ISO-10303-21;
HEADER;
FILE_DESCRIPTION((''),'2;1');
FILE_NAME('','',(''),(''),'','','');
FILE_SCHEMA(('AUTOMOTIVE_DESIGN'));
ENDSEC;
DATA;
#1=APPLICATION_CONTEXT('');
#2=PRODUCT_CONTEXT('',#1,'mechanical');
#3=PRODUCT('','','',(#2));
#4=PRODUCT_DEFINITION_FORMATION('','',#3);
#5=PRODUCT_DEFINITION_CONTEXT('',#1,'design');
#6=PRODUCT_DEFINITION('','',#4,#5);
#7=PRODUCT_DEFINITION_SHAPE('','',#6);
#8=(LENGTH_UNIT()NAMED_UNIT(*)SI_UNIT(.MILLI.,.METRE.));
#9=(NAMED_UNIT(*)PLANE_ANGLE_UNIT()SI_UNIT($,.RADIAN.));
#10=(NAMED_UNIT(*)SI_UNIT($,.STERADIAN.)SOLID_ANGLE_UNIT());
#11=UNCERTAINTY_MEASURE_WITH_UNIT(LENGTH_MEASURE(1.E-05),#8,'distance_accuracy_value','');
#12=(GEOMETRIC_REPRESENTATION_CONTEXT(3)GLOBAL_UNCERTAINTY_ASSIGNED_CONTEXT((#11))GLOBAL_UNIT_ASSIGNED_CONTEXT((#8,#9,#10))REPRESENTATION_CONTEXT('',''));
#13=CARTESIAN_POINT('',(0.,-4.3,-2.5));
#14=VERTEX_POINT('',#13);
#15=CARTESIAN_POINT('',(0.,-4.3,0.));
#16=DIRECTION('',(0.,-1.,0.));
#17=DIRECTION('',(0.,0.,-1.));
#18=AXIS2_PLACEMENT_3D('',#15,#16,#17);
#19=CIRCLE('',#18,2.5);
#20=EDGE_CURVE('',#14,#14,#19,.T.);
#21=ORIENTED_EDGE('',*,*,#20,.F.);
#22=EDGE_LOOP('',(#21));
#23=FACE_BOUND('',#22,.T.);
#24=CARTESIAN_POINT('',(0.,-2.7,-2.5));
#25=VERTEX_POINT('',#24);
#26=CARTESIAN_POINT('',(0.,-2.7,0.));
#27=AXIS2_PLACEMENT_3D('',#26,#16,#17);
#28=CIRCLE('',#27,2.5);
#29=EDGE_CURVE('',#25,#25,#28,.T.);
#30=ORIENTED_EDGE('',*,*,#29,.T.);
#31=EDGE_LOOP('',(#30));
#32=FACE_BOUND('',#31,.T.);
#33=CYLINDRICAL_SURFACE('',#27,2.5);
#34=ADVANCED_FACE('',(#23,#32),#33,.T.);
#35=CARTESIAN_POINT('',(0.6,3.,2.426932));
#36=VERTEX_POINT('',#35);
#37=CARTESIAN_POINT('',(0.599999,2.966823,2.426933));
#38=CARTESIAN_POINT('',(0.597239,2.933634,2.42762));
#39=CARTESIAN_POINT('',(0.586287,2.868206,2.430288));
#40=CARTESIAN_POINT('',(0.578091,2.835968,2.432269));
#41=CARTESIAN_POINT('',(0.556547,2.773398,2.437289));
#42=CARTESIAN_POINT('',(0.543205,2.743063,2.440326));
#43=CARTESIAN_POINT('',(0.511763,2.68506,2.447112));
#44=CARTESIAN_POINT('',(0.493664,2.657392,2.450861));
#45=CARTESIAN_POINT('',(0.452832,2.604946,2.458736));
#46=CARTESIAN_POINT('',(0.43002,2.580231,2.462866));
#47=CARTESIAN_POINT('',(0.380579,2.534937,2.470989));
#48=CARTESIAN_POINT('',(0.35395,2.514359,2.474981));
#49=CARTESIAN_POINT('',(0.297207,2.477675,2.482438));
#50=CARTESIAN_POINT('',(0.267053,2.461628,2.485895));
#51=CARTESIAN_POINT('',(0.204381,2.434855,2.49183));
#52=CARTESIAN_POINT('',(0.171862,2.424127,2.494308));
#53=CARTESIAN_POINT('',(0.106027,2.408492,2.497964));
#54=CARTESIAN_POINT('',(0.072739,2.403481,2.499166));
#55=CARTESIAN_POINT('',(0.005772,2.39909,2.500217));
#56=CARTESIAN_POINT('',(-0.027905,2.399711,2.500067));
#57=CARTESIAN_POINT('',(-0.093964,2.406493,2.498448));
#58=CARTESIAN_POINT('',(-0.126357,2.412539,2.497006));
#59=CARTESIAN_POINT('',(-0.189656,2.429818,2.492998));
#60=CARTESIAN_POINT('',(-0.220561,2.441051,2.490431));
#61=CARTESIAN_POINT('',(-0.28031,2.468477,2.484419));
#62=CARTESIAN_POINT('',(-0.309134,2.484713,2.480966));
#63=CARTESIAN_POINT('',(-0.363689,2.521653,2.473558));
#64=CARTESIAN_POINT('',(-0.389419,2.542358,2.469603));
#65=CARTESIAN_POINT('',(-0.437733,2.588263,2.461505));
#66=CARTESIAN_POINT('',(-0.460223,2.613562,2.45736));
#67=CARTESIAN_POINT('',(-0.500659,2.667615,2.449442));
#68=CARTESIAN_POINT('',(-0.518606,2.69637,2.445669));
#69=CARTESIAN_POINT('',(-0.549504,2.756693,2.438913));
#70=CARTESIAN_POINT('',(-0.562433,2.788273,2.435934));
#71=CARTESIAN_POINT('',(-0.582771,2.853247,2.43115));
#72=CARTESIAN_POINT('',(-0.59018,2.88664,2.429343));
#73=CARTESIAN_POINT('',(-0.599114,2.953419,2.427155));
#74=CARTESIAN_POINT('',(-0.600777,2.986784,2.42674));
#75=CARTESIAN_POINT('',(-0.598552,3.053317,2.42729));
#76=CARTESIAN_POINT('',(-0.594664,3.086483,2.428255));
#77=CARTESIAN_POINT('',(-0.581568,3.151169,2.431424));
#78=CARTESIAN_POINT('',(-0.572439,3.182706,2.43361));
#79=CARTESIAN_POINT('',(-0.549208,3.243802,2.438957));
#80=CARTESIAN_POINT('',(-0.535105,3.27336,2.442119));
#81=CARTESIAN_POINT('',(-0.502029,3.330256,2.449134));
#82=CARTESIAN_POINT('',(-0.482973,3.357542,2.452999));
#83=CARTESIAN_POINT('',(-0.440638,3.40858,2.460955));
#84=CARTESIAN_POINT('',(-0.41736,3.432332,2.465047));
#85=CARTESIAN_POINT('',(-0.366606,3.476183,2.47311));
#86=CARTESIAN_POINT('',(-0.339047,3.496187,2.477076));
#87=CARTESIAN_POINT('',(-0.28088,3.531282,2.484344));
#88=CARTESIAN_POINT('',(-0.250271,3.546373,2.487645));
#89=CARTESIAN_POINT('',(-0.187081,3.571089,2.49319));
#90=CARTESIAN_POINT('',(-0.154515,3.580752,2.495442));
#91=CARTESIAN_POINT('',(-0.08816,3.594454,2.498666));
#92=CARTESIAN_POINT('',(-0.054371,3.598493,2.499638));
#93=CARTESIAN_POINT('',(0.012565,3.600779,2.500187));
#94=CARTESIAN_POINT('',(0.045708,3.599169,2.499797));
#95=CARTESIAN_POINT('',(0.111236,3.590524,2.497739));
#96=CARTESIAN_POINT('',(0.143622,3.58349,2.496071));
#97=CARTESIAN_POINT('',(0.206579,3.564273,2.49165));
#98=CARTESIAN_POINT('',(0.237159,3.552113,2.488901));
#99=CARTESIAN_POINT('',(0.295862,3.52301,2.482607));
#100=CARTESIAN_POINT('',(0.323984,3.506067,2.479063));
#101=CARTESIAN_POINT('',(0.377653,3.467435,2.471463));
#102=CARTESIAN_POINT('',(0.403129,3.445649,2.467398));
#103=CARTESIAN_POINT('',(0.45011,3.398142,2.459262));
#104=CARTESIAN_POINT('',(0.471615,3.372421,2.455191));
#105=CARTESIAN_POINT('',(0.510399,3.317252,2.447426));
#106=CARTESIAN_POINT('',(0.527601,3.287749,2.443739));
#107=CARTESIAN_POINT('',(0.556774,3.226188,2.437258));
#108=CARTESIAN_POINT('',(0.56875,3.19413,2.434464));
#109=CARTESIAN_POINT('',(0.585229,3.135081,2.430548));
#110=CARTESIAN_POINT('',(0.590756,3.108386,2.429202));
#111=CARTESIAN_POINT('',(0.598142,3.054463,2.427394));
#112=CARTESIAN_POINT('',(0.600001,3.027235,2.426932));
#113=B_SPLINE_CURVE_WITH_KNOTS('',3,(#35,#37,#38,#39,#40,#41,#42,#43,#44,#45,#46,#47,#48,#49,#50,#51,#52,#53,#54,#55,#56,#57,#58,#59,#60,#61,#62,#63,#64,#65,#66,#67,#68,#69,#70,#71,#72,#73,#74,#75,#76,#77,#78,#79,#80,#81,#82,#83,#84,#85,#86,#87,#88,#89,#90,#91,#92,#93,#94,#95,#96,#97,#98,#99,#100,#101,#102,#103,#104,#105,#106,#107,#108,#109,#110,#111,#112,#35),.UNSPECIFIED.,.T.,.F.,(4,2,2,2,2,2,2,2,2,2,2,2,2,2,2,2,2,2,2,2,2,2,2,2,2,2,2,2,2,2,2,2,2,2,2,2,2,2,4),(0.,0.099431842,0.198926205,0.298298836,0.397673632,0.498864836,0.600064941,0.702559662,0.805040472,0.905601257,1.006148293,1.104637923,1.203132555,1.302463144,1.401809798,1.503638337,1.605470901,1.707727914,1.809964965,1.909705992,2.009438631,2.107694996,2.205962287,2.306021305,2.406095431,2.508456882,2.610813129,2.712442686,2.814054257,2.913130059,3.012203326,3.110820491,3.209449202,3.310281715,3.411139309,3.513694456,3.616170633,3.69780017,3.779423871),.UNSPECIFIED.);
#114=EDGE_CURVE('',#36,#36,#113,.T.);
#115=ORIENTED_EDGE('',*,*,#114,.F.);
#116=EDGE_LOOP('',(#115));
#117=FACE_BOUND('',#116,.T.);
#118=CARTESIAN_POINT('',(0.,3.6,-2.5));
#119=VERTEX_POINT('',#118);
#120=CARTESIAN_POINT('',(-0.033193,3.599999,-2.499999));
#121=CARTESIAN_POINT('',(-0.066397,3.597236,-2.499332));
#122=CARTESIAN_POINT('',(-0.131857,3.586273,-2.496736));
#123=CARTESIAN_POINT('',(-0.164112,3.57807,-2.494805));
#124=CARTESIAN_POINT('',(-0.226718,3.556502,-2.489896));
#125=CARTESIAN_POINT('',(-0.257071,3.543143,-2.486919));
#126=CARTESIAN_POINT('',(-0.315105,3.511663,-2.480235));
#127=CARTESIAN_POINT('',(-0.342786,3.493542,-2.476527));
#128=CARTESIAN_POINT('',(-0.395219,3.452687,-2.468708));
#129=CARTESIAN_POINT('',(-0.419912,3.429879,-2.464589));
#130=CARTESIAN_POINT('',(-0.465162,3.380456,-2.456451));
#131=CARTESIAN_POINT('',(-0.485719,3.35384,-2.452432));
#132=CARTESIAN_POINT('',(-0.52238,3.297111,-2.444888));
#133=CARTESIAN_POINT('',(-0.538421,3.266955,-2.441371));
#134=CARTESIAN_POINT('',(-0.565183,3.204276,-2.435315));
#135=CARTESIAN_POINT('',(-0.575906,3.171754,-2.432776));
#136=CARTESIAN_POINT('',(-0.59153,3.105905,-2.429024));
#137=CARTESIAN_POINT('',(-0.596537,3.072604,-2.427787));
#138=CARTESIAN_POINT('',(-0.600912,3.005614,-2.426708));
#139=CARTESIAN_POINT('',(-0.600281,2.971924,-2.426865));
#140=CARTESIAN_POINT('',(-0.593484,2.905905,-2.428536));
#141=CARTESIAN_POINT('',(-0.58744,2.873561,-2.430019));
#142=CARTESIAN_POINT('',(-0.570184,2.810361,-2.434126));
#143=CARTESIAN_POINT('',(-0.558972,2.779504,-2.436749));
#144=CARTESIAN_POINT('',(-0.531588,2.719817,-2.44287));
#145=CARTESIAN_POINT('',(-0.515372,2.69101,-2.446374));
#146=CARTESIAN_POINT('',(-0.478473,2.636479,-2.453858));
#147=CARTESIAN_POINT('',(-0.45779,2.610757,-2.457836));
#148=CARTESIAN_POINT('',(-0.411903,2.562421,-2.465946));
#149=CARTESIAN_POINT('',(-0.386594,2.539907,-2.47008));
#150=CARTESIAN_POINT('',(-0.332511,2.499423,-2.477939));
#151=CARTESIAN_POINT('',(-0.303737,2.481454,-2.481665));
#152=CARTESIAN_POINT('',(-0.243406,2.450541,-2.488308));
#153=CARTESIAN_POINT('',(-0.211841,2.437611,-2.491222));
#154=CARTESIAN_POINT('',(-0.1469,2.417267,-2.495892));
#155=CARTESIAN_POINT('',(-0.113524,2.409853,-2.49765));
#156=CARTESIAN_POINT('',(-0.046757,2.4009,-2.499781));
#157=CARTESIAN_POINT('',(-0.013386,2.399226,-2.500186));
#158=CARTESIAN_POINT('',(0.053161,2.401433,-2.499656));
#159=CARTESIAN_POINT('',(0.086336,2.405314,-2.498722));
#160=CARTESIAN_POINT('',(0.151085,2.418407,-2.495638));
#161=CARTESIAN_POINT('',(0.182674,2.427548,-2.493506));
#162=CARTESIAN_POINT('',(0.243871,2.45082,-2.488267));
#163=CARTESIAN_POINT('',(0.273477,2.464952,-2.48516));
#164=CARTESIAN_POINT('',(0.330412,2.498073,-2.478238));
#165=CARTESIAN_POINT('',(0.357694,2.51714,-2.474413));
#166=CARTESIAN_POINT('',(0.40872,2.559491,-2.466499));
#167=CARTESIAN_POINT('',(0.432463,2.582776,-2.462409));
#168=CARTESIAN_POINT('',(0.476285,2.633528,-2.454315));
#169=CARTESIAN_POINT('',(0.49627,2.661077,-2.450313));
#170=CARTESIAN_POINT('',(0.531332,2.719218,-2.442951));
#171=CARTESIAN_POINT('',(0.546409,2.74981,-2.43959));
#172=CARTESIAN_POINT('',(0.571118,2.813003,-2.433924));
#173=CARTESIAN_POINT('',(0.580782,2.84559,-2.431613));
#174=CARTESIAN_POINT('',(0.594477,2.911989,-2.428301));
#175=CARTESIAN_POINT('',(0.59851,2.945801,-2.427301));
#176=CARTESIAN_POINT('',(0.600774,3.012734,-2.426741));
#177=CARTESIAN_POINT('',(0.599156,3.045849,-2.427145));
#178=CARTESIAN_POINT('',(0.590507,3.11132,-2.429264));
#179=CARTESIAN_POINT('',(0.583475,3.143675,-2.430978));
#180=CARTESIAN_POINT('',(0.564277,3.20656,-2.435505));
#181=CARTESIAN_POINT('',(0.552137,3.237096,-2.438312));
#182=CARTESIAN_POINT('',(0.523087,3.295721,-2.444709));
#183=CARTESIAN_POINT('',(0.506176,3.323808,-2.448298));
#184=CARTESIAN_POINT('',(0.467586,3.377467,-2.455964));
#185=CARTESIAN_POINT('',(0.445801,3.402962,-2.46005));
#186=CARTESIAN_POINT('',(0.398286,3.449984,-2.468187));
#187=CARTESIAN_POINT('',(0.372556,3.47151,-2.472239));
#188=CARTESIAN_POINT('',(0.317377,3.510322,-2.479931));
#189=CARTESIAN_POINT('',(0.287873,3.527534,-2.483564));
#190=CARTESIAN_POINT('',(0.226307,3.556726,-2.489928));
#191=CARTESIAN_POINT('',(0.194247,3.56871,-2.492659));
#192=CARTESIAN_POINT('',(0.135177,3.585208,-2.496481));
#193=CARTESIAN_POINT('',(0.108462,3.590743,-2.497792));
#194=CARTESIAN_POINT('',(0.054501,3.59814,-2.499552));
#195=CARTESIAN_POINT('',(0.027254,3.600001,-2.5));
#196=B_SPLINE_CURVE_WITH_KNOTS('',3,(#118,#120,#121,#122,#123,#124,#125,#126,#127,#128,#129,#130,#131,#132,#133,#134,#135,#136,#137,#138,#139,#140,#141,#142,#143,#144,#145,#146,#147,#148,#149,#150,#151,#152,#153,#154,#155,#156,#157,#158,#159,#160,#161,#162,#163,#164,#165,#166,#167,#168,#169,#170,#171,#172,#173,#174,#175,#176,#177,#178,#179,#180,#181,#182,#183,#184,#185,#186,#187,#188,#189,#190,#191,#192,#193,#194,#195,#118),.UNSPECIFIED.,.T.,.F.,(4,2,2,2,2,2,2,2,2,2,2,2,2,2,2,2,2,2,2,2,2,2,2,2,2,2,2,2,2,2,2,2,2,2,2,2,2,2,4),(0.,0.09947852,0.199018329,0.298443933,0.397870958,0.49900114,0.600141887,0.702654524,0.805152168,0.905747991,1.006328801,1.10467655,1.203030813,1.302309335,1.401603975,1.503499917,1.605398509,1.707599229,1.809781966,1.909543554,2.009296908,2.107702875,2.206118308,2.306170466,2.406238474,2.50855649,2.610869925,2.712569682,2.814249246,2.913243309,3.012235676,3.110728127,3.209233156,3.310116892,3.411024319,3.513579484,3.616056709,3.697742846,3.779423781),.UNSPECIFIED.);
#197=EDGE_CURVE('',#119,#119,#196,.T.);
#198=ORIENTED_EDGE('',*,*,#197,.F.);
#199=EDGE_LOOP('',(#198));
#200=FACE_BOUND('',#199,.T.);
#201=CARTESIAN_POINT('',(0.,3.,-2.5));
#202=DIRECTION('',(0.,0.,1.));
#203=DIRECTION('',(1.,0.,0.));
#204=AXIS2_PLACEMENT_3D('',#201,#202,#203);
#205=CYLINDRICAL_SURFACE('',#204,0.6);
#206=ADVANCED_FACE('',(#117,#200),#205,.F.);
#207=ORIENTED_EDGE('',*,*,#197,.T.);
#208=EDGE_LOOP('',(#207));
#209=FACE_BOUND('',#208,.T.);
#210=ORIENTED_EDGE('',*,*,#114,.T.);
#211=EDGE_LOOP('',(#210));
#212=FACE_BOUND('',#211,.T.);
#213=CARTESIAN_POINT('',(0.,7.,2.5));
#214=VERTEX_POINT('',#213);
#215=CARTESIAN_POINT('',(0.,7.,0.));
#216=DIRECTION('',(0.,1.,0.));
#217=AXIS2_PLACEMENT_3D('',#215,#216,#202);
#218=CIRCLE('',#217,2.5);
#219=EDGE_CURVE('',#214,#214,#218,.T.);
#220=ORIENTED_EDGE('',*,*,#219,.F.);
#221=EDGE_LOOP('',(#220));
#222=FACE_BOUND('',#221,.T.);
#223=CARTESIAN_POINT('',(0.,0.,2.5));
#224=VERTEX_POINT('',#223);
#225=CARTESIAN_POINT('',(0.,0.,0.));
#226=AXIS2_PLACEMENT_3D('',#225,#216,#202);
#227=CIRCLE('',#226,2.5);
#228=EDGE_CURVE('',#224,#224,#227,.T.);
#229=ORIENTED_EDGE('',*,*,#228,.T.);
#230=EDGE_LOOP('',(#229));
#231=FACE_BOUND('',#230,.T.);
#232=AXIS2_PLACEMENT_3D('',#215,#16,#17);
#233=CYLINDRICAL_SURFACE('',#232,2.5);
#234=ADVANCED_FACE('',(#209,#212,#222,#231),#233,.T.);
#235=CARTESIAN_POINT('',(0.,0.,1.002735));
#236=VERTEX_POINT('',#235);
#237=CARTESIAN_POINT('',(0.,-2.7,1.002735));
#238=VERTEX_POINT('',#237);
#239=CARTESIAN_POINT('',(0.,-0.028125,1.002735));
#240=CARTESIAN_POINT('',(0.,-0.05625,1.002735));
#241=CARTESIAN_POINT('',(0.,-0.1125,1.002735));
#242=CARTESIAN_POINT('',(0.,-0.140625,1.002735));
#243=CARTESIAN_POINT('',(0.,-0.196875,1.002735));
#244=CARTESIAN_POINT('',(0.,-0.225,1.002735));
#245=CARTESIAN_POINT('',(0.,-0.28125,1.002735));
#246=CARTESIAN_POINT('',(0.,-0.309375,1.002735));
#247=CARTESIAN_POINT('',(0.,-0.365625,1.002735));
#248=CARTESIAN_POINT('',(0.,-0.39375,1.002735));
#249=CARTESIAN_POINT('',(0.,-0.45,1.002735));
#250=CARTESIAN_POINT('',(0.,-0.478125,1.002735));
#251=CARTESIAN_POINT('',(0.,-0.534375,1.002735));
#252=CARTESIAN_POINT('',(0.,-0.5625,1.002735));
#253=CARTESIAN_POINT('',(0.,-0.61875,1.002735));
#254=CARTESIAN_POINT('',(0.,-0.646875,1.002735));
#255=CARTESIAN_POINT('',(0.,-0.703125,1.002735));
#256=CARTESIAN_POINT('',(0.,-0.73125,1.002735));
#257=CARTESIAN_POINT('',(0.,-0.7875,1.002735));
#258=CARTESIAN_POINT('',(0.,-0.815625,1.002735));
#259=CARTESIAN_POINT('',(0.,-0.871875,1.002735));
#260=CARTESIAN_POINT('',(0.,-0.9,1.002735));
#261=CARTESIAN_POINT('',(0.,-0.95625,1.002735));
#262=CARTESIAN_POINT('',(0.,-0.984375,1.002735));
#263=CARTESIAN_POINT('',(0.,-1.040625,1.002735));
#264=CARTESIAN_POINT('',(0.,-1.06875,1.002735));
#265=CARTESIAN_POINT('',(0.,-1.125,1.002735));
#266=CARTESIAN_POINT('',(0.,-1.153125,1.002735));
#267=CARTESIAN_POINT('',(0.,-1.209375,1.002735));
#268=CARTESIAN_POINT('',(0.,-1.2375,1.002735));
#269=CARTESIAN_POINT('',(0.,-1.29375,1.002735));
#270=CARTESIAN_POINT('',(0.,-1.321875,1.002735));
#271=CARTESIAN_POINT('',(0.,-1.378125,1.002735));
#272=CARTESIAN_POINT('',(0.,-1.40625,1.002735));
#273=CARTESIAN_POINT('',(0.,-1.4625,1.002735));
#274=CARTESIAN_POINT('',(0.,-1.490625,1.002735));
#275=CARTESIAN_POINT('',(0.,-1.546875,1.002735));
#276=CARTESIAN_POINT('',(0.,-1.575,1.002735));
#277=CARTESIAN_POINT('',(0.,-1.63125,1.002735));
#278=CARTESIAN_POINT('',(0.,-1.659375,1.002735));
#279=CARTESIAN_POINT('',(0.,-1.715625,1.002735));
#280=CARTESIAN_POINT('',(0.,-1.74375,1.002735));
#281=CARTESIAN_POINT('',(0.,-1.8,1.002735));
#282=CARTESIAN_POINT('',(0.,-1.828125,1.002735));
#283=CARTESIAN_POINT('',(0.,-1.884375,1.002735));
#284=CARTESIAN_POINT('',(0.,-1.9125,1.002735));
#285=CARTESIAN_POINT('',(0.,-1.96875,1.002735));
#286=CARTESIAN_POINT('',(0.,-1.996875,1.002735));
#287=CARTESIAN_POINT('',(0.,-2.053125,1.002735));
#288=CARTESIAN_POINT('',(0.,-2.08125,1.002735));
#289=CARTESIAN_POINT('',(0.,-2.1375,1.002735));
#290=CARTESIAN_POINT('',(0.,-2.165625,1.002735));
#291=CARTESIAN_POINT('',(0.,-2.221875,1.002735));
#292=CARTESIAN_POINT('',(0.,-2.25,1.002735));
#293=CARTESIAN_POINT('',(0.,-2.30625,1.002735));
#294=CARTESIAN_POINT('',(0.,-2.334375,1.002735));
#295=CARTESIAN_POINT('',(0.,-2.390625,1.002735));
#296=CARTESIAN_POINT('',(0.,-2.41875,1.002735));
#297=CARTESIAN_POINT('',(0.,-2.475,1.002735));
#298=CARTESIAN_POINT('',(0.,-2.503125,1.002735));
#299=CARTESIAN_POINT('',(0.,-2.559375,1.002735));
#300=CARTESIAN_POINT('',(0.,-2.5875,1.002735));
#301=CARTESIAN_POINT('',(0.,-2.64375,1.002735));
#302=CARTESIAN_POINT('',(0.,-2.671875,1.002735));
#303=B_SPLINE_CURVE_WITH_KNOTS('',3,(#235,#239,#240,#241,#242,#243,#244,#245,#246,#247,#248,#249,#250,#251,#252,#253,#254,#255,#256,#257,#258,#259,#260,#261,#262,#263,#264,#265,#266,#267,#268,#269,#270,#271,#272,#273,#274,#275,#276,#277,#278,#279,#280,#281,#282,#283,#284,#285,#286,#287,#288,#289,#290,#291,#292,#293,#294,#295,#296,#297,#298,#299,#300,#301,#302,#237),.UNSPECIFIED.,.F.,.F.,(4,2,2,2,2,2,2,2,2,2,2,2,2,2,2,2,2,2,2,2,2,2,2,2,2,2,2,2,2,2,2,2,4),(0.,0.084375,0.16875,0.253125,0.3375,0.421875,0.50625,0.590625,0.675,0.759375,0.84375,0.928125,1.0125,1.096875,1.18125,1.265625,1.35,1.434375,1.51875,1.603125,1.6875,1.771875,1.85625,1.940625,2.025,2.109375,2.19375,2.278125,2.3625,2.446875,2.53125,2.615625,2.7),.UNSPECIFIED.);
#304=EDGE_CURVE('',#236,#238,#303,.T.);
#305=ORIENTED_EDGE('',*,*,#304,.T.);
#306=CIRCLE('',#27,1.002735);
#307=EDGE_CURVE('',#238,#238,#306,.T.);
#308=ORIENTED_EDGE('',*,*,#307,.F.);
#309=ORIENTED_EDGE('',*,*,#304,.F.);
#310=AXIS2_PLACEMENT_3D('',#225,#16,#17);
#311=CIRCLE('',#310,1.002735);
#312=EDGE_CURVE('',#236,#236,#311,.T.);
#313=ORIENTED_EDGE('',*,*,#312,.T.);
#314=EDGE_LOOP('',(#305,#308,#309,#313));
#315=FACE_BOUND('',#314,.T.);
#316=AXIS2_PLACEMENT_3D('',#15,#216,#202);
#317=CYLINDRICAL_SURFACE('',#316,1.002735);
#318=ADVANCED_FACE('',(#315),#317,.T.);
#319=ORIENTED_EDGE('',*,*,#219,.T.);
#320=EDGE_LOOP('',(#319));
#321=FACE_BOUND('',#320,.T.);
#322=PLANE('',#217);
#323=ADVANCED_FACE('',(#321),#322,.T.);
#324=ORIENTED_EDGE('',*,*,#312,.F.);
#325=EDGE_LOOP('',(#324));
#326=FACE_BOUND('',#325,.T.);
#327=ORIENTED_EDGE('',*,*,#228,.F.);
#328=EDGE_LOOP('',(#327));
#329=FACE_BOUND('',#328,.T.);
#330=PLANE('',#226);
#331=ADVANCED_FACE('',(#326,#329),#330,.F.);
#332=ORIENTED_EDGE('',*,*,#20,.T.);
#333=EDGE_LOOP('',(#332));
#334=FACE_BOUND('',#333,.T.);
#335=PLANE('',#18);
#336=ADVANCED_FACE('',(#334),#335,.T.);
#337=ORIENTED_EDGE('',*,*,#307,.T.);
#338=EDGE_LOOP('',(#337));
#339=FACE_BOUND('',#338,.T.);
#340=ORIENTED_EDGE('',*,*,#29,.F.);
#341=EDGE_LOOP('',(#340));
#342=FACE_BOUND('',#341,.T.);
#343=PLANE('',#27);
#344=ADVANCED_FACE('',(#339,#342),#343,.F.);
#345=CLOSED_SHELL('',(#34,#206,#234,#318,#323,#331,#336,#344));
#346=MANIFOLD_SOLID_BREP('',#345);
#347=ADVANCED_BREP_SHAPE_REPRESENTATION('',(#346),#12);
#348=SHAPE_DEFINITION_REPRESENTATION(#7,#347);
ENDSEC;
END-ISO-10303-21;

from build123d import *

# Parameters (mm, degrees)
SKETCH1_R               = 2.5
BOSS_EXTRUDE1_DEPTH     = 7
CUT_EXTRUDE1_DEPTH      = 8.842193571
CUT_EXTRUDE1_DEPTH_BACK = 8.842193571
SKETCH2_R               = 0.6
SKETCH3_R               = 1.002734692
BOSS_EXTRUDE2_DEPTH     = 4.3
SKETCH4_R               = 2.5
BOSS_EXTRUDE3_DEPTH     = 1.6


with BuildPart() as part:
    # Sketch1 → Boss-Extrude1 (new body)
    with BuildSketch(Plane(origin=(0, 0, 0), x_dir=(1, 0, 0), z_dir=(0, 1, 0))):
        with Locations(Location((0, 0, 0), (0, 0, 270))):
            Circle(SKETCH1_R)
    extrude(amount=BOSS_EXTRUDE1_DEPTH)

    # Sketch2 → Cut-Extrude1 (cut, two sides: drawn at the far end of the back side and taken through both)
    with BuildSketch(Plane.XY.offset(-CUT_EXTRUDE1_DEPTH_BACK)):
        with Locations(Location((0, 3, 0), (0, 0, 90.000000021))):
            Circle(SKETCH2_R)
    extrude(amount=CUT_EXTRUDE1_DEPTH + CUT_EXTRUDE1_DEPTH_BACK, mode=Mode.SUBTRACT)

    # Sketch3 → Boss-Extrude2 (add)
    with BuildSketch(Plane.XZ):
        with Locations(Location((0, 0, 0), (0, 0, 90))):
            Circle(SKETCH3_R)
    extrude(amount=BOSS_EXTRUDE2_DEPTH)

    # Sketch4 → Boss-Extrude3 (add)
    with BuildSketch(Plane.XZ.offset(4.3)):
        with Locations(Location((0, 0, 0), (0, 0, 90))):
            Circle(SKETCH4_R)
    extrude(amount=-BOSS_EXTRUDE3_DEPTH)


solid = part.part
